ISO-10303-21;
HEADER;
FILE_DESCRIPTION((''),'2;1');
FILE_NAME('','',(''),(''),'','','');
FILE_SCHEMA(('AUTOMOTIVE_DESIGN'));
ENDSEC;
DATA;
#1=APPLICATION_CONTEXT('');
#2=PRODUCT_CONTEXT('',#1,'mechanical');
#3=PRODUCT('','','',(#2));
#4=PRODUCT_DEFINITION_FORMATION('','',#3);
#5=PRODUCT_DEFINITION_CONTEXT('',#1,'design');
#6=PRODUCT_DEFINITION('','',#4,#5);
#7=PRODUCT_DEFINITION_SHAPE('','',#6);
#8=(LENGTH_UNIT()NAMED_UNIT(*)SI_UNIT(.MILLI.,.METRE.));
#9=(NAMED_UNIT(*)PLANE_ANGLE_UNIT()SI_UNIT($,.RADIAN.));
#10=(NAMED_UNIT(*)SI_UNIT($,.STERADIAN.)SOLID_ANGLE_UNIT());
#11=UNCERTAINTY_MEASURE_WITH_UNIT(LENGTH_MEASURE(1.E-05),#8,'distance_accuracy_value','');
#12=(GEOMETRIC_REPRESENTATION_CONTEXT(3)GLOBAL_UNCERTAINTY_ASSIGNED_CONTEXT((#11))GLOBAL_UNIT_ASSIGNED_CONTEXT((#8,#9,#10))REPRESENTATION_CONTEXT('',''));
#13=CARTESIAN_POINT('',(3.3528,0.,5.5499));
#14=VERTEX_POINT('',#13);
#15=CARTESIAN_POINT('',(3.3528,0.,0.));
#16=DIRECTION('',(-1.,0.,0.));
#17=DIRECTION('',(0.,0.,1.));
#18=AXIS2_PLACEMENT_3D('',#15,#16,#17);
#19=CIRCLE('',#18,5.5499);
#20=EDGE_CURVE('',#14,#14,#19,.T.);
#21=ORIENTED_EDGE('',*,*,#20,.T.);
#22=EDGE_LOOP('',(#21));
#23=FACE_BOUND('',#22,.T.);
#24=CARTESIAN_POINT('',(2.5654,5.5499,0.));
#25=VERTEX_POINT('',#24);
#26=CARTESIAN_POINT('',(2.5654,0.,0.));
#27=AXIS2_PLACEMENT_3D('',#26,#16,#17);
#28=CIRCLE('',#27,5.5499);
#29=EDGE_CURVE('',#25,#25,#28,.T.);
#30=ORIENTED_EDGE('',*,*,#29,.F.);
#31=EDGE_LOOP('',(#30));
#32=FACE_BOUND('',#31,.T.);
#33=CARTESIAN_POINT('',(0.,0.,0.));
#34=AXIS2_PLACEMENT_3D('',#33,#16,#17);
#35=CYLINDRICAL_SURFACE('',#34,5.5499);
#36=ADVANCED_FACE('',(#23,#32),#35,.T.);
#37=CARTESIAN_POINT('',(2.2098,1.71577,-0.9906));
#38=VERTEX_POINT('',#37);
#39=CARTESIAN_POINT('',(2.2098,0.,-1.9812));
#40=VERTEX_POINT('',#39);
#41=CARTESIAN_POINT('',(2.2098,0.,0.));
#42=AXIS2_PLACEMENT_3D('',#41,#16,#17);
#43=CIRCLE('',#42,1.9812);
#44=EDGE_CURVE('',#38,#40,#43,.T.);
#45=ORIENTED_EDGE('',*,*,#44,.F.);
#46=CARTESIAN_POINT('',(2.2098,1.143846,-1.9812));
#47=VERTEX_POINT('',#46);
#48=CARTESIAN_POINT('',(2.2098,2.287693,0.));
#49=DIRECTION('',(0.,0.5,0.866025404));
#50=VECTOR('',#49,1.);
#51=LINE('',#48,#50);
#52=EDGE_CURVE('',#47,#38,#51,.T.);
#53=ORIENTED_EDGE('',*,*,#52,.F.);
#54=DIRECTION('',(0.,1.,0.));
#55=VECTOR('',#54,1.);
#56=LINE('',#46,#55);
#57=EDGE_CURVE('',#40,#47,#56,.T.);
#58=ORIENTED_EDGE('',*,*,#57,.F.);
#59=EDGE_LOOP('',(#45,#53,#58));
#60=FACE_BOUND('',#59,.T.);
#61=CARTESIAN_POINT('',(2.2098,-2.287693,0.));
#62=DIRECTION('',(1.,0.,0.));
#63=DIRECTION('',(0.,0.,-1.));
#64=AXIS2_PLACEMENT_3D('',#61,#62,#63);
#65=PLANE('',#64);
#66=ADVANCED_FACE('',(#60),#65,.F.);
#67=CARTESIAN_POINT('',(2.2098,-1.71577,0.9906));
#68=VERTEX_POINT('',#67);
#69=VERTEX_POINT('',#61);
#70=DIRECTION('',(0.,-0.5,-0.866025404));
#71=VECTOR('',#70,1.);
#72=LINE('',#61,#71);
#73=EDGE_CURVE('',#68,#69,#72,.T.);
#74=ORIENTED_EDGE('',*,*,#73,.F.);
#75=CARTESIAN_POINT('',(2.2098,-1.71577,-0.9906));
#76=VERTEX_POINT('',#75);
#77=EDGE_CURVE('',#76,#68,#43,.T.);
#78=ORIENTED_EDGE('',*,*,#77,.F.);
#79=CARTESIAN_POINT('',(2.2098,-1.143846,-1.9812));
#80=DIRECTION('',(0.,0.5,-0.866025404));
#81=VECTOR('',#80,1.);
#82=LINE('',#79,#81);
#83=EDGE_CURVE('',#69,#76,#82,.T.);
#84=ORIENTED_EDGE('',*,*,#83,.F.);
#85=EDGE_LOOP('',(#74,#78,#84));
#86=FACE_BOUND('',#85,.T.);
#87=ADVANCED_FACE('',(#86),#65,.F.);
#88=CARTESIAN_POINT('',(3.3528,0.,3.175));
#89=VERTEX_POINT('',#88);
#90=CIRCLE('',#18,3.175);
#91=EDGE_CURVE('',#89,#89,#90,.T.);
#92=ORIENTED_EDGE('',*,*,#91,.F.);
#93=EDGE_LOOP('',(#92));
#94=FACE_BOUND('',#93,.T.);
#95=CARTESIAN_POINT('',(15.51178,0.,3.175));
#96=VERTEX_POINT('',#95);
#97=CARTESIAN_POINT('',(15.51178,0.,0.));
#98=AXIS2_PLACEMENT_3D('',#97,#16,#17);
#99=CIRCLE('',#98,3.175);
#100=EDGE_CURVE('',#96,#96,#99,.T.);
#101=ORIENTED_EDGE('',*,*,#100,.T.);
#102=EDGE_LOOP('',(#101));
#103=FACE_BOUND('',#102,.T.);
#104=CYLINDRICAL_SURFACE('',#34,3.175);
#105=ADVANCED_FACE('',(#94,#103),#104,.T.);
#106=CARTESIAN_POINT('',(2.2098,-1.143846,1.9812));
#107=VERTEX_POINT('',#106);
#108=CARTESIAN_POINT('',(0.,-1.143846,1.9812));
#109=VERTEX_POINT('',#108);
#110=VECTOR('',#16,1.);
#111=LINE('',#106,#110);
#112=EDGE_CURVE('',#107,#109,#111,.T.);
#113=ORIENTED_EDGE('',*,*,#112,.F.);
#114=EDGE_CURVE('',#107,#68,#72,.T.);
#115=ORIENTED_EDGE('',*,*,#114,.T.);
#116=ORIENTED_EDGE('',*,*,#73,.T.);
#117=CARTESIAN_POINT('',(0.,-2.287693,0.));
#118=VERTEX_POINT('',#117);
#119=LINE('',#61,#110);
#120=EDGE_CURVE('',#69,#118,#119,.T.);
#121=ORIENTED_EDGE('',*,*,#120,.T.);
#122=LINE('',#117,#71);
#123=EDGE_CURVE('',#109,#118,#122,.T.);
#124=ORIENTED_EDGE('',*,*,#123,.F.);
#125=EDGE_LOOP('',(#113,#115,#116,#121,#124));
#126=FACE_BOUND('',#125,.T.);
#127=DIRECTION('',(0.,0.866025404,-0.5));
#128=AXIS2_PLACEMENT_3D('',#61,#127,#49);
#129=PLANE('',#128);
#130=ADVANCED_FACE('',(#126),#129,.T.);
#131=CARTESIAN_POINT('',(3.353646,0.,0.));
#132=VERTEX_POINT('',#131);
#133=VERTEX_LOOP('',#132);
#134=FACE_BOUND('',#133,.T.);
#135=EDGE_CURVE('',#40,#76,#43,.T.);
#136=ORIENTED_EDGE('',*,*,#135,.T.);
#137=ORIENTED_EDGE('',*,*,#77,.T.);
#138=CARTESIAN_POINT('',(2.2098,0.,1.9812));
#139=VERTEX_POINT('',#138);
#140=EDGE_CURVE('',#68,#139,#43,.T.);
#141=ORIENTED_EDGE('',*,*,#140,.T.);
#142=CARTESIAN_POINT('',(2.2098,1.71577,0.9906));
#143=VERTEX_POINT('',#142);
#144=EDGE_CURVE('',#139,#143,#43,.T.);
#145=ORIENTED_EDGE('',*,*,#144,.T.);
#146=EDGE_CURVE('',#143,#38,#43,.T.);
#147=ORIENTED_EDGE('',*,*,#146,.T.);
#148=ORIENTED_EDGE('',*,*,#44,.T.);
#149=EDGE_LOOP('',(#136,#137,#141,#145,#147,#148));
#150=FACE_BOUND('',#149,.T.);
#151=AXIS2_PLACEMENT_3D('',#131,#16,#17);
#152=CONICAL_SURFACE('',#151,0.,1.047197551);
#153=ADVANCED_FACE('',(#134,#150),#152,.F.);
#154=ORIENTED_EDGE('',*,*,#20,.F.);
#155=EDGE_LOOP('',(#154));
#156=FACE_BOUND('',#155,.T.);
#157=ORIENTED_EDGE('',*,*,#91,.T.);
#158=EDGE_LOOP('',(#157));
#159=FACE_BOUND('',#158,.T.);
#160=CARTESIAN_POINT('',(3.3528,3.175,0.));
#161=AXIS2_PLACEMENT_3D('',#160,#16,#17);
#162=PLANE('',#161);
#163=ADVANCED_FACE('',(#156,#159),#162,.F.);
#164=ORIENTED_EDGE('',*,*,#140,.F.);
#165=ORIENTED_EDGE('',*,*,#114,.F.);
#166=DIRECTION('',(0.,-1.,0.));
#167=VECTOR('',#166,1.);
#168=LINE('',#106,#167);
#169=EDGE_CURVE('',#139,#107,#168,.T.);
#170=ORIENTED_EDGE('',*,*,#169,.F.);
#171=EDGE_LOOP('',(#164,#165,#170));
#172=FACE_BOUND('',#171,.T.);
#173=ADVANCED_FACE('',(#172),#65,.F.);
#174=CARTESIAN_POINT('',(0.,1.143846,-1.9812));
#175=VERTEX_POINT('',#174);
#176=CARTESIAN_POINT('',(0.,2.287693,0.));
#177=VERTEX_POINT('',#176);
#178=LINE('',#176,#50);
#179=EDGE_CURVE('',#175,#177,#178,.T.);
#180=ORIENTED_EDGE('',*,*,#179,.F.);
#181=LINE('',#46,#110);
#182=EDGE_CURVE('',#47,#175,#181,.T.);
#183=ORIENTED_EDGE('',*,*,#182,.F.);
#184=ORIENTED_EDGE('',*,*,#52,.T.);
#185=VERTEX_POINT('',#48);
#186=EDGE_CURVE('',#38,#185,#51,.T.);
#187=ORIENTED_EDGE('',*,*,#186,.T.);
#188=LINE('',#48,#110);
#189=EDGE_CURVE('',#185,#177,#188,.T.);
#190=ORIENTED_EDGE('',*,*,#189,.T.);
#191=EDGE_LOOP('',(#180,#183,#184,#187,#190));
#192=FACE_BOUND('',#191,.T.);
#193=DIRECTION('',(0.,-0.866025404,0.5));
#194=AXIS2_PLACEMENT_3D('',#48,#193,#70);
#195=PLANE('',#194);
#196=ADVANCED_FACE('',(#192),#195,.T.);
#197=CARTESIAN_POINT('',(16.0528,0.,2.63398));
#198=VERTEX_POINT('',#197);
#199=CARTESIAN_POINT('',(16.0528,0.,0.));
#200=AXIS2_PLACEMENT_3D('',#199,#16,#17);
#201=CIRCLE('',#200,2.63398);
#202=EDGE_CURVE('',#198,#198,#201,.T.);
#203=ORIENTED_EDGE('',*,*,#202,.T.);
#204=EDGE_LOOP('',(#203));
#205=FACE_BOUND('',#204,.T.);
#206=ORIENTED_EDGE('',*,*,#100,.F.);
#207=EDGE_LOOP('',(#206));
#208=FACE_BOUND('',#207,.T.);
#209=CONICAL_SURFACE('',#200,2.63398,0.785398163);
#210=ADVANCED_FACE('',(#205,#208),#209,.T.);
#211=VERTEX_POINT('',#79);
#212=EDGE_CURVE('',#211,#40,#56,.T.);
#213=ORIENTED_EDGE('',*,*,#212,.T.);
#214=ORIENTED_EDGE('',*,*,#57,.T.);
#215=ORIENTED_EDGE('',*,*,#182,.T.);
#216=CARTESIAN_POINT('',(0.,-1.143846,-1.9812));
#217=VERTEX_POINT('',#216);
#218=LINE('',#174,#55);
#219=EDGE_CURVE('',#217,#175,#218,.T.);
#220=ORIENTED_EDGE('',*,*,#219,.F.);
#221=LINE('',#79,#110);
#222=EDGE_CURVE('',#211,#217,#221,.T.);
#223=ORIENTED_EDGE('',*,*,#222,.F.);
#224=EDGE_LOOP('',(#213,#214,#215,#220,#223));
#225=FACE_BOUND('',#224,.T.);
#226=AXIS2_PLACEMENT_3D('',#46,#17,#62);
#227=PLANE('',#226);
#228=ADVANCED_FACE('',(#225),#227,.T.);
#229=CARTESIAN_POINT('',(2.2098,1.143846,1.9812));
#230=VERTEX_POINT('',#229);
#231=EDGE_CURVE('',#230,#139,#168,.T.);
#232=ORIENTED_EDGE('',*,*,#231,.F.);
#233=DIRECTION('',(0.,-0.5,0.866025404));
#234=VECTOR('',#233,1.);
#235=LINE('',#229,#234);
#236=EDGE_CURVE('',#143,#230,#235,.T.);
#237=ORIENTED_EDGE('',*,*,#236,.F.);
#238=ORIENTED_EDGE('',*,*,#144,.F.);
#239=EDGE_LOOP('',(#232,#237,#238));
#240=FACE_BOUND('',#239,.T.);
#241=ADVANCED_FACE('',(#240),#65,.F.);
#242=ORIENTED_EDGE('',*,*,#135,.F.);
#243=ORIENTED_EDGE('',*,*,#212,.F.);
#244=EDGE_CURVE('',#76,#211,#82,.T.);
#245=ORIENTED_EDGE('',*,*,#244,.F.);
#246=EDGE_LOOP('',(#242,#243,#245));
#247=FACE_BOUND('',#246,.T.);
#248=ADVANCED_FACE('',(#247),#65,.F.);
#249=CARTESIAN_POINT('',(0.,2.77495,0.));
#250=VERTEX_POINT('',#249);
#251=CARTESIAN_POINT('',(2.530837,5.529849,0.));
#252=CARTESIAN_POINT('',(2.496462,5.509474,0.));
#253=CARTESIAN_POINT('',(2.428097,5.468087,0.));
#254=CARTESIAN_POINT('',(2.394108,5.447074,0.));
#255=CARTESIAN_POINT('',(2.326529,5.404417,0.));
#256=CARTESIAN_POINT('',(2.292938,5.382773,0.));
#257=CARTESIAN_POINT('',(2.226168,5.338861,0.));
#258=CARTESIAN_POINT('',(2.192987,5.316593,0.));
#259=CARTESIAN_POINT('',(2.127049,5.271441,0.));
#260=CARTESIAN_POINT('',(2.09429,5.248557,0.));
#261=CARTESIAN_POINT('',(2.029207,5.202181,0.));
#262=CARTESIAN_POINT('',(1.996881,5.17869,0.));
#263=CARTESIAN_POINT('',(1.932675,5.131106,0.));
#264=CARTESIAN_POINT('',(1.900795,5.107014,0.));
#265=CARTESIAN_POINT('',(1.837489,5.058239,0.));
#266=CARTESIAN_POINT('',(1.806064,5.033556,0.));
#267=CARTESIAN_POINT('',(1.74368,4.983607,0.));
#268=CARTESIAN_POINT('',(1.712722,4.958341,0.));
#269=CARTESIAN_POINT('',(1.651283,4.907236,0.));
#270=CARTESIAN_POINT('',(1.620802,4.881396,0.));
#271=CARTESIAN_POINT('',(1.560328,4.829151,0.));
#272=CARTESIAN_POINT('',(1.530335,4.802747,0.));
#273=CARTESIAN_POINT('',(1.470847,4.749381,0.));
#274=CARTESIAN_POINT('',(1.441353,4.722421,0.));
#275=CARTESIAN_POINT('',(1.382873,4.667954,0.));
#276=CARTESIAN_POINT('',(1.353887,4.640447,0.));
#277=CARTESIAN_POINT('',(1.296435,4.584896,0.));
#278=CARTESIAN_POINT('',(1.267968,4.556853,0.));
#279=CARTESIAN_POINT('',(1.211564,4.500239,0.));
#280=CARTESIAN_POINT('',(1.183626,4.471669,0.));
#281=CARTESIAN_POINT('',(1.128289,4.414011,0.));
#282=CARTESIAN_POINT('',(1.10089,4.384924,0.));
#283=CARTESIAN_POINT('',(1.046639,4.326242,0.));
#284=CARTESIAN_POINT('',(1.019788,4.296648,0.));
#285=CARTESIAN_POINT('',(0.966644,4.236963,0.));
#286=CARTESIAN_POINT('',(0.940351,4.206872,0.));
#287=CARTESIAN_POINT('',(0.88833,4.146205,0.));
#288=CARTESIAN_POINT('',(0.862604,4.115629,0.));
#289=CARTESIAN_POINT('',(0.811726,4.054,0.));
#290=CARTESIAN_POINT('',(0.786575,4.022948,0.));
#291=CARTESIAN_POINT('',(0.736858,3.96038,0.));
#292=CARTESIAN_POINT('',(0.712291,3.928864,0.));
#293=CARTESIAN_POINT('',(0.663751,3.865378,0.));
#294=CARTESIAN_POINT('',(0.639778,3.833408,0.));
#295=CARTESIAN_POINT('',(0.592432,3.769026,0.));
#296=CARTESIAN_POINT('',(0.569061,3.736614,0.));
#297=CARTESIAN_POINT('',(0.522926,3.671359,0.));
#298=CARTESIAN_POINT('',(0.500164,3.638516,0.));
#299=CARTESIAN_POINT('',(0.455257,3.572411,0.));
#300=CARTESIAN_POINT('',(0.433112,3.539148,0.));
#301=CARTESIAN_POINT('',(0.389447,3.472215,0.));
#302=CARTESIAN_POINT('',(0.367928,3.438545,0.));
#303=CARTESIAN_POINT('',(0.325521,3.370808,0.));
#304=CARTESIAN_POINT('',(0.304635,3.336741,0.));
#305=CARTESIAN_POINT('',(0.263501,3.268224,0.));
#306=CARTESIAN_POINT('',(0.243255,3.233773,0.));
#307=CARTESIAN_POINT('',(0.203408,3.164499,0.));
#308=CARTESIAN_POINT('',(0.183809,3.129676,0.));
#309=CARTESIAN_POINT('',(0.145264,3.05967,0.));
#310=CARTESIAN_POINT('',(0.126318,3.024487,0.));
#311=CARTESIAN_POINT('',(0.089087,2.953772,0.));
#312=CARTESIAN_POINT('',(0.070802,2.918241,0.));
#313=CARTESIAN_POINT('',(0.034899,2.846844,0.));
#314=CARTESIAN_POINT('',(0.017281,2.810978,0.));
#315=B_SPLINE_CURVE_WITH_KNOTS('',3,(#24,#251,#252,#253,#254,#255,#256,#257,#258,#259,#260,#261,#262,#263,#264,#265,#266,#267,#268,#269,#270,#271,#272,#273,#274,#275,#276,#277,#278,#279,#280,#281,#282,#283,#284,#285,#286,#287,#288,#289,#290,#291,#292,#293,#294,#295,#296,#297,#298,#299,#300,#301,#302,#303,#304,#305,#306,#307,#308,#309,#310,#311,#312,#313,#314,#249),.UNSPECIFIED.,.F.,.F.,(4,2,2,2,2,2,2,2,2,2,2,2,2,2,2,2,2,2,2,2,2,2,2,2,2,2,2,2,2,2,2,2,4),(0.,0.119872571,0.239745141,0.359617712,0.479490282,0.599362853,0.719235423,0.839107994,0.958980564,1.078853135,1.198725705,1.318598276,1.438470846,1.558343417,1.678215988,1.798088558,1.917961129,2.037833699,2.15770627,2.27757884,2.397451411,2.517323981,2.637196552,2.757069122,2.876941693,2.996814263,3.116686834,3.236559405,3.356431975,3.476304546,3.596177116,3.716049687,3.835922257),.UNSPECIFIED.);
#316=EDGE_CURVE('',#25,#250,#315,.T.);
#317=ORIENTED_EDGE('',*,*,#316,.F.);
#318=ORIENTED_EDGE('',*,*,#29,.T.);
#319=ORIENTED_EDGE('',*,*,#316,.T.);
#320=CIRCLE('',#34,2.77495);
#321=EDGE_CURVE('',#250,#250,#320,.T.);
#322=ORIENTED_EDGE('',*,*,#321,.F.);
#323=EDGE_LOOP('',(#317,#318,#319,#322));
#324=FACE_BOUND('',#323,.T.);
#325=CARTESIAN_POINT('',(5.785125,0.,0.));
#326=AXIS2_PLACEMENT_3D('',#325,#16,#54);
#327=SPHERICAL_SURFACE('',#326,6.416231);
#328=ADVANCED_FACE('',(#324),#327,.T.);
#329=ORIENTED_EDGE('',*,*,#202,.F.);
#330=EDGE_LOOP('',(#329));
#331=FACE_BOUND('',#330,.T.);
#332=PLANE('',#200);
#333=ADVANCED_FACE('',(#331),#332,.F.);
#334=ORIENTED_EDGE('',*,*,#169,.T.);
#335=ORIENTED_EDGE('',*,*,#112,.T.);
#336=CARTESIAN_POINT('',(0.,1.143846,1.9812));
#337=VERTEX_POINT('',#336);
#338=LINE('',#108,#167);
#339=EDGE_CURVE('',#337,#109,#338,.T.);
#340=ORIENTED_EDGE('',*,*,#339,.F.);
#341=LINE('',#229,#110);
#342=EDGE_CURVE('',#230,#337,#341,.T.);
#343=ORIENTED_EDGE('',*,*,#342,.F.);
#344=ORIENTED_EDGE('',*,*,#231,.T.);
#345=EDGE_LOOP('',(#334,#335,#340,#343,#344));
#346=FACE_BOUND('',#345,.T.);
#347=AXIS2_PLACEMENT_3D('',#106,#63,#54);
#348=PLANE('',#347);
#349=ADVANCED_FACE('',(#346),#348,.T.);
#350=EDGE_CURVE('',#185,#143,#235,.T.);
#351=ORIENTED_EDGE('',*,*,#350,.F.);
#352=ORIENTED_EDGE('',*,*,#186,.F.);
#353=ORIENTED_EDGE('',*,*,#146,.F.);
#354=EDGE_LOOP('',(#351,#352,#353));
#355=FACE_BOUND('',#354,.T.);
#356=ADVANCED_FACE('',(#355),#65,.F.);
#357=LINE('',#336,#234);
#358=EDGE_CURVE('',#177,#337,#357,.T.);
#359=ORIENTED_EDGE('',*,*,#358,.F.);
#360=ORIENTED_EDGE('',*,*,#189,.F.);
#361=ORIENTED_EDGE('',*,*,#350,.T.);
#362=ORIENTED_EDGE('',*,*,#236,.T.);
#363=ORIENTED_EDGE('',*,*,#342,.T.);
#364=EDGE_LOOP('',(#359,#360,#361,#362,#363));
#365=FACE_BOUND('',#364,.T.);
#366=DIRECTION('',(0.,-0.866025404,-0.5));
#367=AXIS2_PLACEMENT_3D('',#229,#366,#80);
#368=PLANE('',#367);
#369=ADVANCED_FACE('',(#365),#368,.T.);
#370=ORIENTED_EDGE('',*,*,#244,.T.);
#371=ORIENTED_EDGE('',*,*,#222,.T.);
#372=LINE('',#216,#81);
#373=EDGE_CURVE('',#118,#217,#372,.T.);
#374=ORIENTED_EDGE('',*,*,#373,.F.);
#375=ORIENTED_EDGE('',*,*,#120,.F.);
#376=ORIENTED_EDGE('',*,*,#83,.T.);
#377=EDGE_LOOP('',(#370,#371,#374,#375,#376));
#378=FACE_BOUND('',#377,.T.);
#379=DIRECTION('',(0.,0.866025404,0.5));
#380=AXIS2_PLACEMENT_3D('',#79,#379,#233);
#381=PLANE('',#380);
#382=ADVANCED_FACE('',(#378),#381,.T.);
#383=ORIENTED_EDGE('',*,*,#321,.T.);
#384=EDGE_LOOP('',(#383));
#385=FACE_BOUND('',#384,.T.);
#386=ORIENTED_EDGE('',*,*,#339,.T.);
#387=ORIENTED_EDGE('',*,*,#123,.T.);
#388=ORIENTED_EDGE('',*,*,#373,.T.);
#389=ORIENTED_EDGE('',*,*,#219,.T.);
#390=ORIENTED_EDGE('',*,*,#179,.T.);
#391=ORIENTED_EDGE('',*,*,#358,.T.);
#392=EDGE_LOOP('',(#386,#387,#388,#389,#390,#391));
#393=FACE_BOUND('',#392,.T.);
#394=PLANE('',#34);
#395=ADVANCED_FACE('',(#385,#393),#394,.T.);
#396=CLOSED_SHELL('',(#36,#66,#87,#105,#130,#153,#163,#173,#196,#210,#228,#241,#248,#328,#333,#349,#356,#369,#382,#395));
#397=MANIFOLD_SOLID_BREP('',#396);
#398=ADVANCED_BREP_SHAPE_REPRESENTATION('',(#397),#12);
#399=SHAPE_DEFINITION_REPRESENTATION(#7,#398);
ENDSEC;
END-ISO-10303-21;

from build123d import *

# Parameters (mm, degrees)
HEX_2_DEPTH = 2.2098


with BuildPart() as part:
    # BodySke → BaseBody (revolve)
    with BuildSketch(Plane.XY, mode=Mode.PRIVATE) as basebody_sk:
        with BuildLine():
            Line((16.0528, 0), (16.0528, 2.63398))
            Line((16.0528, 2.63398), (15.51178, 3.175))
            Line((15.51178, 3.175), (3.3528, 3.175))
            Line((3.3528, 3.175), (3.3528, 5.5499))
            Line((3.3528, 5.5499), (2.5654, 5.5499))
            ThreePointArc((2.5654, 5.5499), (1.073764503, 4.355582759), (0, 2.77495))
            Line((0, 2.77495), (0, 0))
            Line((0, 0), (16.0528, 0))
        make_face()
    revolve(basebody_sk.sketch.rotate(Axis((0, 0, 0), (1, 0, 0)), 90), axis=Axis((0, 0, 0), (1, 0, 0)))

    # Sketch2 → PreBroach (revolve, cut)
    with BuildSketch(Plane.XY, mode=Mode.PRIVATE) as prebroach_sk:
        Polygon((0, 1.9812), (2.2098, 1.9812), (3.353646353, 0), (0, 0), align=None)
    revolve(prebroach_sk.sketch.rotate(Axis((0, 0, 0), (1, 0, 0)), 90), axis=Axis((0, 0, 0), (1, 0, 0)), mode=Mode.SUBTRACT)

    # Sketch3 → Hex 2 (cut)
    with BuildSketch(Plane(origin=(0, 0, 0), x_dir=(0, 0, -1), z_dir=(1, 0, 0))):
        Polygon((-1.9812, -1.143846353), (-1.9812, 1.143846353), (0, 2.287692707), (1.9812, 1.143846353), (1.9812, -1.143846353), (0, -2.287692707), align=None)
    extrude(amount=HEX_2_DEPTH, mode=Mode.SUBTRACT)


solid = part.part
